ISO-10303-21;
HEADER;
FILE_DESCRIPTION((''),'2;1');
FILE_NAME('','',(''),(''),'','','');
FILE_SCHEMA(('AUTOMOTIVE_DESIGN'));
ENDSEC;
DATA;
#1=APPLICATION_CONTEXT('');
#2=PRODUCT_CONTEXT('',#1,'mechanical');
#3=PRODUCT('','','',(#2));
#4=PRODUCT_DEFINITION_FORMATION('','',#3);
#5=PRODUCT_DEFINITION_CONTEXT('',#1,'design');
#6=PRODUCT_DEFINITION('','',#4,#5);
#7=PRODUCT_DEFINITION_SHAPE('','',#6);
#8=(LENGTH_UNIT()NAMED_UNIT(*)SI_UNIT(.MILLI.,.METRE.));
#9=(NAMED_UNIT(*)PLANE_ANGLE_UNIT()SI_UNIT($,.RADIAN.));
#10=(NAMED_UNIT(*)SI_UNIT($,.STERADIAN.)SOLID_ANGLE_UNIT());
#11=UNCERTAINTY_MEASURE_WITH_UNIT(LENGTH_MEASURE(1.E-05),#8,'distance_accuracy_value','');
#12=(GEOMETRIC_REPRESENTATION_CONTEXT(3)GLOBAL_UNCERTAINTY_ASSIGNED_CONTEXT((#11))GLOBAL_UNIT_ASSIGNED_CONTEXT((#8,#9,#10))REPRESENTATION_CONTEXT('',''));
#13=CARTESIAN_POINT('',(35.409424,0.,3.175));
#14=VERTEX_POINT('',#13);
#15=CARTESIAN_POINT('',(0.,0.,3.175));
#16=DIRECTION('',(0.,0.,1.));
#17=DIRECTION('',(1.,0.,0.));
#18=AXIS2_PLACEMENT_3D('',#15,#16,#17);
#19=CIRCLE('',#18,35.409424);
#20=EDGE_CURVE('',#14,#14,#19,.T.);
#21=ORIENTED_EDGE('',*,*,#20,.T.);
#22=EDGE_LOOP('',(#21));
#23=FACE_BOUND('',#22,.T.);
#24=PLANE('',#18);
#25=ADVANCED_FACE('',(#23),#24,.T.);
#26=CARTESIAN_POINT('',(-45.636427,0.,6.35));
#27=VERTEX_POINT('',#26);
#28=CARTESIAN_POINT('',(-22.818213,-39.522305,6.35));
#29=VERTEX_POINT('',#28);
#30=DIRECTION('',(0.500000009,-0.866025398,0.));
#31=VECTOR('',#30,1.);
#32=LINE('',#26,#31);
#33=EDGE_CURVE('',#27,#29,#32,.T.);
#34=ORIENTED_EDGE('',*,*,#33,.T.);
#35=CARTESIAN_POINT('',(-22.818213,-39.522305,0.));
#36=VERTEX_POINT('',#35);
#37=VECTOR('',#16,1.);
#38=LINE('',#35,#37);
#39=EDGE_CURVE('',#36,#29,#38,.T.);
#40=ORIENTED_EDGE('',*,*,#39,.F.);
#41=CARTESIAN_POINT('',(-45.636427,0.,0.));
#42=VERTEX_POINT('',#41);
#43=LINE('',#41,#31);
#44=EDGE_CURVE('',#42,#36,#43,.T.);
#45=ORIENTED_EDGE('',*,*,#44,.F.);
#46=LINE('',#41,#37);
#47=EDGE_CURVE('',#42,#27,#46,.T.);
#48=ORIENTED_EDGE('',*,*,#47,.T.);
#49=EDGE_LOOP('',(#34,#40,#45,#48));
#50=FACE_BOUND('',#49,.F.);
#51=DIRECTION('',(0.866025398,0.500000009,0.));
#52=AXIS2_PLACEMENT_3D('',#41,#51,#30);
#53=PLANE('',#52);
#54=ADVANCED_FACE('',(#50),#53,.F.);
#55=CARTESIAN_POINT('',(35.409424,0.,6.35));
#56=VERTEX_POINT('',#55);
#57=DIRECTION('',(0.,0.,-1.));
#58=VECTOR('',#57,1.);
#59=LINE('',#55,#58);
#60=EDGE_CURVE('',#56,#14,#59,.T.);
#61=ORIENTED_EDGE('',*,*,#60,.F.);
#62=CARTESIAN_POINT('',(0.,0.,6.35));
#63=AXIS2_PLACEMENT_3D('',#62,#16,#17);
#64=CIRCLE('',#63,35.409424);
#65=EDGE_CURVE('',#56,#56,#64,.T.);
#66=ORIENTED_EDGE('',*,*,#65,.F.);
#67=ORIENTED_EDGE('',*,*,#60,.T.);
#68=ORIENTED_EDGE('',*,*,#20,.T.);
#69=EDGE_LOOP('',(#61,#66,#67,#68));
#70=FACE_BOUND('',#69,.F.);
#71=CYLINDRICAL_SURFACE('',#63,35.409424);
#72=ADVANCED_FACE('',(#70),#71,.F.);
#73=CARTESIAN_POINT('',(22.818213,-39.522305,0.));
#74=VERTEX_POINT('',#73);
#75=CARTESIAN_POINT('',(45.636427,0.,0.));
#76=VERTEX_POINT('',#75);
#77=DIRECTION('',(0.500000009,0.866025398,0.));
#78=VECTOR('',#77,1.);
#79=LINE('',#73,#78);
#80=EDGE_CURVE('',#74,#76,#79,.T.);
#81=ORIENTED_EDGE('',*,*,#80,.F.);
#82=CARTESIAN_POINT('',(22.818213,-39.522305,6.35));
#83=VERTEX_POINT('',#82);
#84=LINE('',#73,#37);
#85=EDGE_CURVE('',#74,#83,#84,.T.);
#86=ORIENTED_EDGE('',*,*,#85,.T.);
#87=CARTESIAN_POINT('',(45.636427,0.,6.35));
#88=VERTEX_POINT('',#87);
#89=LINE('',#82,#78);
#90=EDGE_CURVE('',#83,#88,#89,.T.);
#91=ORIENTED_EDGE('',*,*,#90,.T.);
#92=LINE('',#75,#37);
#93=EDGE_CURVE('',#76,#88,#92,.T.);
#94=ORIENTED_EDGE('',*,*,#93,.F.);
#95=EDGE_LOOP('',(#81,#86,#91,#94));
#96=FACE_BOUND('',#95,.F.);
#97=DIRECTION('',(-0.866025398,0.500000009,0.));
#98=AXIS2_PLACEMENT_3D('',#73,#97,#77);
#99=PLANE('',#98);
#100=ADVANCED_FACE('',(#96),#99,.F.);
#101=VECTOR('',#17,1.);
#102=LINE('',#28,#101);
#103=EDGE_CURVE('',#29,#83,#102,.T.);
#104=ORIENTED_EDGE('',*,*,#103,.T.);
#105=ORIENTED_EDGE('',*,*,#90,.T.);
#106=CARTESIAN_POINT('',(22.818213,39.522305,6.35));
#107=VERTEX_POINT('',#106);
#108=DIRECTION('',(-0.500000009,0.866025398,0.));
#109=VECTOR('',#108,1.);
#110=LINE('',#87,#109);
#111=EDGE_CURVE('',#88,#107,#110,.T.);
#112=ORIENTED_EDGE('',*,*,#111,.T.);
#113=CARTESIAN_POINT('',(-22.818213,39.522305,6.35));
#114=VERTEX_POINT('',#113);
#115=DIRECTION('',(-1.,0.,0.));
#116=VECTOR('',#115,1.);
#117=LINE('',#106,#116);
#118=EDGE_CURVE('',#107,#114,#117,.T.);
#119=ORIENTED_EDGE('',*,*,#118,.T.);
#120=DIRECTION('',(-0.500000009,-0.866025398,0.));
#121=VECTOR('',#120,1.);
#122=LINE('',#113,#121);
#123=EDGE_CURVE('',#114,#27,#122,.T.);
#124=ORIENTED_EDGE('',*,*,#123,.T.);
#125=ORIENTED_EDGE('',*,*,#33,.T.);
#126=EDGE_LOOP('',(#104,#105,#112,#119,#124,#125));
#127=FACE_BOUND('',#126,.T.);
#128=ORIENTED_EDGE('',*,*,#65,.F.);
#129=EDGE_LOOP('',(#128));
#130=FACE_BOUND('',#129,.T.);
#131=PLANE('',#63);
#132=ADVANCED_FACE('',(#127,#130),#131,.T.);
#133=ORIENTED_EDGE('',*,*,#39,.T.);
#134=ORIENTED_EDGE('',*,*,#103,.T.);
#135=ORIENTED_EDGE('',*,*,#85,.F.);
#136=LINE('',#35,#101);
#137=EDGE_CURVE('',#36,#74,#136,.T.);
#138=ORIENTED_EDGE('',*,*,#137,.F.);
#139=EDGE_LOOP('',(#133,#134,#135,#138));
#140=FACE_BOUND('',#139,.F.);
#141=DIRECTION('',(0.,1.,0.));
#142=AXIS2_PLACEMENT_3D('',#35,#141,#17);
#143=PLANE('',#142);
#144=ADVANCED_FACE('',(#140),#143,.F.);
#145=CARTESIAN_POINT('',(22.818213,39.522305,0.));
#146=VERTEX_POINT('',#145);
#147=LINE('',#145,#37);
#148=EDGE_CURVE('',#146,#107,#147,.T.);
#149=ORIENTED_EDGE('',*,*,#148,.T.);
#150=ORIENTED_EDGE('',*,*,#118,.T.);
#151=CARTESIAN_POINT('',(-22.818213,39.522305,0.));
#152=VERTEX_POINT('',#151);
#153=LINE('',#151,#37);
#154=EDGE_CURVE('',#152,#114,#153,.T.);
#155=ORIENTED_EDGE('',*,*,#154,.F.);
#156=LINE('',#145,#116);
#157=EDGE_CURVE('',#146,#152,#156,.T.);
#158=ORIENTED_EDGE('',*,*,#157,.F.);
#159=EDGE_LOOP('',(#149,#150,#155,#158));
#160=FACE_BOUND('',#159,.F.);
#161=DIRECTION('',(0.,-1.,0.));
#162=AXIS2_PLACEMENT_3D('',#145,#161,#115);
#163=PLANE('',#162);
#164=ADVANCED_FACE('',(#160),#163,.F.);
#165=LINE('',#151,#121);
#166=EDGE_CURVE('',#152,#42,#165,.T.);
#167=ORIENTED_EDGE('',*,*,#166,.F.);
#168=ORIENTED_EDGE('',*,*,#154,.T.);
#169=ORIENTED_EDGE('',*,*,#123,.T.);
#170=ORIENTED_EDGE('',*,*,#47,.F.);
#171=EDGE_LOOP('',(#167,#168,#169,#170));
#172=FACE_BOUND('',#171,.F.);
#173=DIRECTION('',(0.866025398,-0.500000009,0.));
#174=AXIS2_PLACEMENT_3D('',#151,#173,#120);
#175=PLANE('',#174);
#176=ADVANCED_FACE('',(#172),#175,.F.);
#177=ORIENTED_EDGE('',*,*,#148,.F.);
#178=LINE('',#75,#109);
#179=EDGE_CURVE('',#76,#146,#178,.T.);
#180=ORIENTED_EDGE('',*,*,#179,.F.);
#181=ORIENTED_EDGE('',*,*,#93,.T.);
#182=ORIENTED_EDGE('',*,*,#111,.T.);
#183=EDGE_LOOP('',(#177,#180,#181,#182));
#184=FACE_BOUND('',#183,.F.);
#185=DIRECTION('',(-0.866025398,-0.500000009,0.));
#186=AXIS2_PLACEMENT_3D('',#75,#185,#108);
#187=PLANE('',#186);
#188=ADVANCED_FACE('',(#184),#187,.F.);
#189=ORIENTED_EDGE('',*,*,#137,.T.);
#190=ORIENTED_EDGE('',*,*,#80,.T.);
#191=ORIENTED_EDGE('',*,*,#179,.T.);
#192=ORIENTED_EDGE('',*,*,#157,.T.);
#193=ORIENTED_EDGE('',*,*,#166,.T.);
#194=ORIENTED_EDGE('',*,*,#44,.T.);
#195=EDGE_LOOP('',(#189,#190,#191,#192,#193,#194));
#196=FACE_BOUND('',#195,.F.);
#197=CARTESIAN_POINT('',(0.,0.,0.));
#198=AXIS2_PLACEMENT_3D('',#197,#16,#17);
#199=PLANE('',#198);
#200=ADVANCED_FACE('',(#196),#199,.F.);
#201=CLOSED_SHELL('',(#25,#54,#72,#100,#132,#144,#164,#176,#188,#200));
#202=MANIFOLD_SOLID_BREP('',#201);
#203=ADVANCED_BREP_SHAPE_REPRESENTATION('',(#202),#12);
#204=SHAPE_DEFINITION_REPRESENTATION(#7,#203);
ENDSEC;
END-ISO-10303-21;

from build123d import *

# Parameters (mm, degrees)
F1_DEPTH = 6.35
F2_R     = 35.409424
F3_DEPTH = 3.175


with BuildPart() as f1:
    # F0 (on Top) → F1 (new body)
    with BuildSketch(Plane.XY):
        Polygon((22.818213, 39.522305), (-22.818213, 39.522305), (-45.636427, 0), (-22.818213, -39.522305), (22.818213, -39.522305), (45.636427, 0), align=None)
    extrude(amount=F1_DEPTH)

    # F2 (on face) → F3 (cut)
    with BuildSketch(Plane.XY.offset(6.35)):
        Circle(F2_R)
    extrude(amount=-F3_DEPTH, mode=Mode.SUBTRACT)


solid = f1.part
